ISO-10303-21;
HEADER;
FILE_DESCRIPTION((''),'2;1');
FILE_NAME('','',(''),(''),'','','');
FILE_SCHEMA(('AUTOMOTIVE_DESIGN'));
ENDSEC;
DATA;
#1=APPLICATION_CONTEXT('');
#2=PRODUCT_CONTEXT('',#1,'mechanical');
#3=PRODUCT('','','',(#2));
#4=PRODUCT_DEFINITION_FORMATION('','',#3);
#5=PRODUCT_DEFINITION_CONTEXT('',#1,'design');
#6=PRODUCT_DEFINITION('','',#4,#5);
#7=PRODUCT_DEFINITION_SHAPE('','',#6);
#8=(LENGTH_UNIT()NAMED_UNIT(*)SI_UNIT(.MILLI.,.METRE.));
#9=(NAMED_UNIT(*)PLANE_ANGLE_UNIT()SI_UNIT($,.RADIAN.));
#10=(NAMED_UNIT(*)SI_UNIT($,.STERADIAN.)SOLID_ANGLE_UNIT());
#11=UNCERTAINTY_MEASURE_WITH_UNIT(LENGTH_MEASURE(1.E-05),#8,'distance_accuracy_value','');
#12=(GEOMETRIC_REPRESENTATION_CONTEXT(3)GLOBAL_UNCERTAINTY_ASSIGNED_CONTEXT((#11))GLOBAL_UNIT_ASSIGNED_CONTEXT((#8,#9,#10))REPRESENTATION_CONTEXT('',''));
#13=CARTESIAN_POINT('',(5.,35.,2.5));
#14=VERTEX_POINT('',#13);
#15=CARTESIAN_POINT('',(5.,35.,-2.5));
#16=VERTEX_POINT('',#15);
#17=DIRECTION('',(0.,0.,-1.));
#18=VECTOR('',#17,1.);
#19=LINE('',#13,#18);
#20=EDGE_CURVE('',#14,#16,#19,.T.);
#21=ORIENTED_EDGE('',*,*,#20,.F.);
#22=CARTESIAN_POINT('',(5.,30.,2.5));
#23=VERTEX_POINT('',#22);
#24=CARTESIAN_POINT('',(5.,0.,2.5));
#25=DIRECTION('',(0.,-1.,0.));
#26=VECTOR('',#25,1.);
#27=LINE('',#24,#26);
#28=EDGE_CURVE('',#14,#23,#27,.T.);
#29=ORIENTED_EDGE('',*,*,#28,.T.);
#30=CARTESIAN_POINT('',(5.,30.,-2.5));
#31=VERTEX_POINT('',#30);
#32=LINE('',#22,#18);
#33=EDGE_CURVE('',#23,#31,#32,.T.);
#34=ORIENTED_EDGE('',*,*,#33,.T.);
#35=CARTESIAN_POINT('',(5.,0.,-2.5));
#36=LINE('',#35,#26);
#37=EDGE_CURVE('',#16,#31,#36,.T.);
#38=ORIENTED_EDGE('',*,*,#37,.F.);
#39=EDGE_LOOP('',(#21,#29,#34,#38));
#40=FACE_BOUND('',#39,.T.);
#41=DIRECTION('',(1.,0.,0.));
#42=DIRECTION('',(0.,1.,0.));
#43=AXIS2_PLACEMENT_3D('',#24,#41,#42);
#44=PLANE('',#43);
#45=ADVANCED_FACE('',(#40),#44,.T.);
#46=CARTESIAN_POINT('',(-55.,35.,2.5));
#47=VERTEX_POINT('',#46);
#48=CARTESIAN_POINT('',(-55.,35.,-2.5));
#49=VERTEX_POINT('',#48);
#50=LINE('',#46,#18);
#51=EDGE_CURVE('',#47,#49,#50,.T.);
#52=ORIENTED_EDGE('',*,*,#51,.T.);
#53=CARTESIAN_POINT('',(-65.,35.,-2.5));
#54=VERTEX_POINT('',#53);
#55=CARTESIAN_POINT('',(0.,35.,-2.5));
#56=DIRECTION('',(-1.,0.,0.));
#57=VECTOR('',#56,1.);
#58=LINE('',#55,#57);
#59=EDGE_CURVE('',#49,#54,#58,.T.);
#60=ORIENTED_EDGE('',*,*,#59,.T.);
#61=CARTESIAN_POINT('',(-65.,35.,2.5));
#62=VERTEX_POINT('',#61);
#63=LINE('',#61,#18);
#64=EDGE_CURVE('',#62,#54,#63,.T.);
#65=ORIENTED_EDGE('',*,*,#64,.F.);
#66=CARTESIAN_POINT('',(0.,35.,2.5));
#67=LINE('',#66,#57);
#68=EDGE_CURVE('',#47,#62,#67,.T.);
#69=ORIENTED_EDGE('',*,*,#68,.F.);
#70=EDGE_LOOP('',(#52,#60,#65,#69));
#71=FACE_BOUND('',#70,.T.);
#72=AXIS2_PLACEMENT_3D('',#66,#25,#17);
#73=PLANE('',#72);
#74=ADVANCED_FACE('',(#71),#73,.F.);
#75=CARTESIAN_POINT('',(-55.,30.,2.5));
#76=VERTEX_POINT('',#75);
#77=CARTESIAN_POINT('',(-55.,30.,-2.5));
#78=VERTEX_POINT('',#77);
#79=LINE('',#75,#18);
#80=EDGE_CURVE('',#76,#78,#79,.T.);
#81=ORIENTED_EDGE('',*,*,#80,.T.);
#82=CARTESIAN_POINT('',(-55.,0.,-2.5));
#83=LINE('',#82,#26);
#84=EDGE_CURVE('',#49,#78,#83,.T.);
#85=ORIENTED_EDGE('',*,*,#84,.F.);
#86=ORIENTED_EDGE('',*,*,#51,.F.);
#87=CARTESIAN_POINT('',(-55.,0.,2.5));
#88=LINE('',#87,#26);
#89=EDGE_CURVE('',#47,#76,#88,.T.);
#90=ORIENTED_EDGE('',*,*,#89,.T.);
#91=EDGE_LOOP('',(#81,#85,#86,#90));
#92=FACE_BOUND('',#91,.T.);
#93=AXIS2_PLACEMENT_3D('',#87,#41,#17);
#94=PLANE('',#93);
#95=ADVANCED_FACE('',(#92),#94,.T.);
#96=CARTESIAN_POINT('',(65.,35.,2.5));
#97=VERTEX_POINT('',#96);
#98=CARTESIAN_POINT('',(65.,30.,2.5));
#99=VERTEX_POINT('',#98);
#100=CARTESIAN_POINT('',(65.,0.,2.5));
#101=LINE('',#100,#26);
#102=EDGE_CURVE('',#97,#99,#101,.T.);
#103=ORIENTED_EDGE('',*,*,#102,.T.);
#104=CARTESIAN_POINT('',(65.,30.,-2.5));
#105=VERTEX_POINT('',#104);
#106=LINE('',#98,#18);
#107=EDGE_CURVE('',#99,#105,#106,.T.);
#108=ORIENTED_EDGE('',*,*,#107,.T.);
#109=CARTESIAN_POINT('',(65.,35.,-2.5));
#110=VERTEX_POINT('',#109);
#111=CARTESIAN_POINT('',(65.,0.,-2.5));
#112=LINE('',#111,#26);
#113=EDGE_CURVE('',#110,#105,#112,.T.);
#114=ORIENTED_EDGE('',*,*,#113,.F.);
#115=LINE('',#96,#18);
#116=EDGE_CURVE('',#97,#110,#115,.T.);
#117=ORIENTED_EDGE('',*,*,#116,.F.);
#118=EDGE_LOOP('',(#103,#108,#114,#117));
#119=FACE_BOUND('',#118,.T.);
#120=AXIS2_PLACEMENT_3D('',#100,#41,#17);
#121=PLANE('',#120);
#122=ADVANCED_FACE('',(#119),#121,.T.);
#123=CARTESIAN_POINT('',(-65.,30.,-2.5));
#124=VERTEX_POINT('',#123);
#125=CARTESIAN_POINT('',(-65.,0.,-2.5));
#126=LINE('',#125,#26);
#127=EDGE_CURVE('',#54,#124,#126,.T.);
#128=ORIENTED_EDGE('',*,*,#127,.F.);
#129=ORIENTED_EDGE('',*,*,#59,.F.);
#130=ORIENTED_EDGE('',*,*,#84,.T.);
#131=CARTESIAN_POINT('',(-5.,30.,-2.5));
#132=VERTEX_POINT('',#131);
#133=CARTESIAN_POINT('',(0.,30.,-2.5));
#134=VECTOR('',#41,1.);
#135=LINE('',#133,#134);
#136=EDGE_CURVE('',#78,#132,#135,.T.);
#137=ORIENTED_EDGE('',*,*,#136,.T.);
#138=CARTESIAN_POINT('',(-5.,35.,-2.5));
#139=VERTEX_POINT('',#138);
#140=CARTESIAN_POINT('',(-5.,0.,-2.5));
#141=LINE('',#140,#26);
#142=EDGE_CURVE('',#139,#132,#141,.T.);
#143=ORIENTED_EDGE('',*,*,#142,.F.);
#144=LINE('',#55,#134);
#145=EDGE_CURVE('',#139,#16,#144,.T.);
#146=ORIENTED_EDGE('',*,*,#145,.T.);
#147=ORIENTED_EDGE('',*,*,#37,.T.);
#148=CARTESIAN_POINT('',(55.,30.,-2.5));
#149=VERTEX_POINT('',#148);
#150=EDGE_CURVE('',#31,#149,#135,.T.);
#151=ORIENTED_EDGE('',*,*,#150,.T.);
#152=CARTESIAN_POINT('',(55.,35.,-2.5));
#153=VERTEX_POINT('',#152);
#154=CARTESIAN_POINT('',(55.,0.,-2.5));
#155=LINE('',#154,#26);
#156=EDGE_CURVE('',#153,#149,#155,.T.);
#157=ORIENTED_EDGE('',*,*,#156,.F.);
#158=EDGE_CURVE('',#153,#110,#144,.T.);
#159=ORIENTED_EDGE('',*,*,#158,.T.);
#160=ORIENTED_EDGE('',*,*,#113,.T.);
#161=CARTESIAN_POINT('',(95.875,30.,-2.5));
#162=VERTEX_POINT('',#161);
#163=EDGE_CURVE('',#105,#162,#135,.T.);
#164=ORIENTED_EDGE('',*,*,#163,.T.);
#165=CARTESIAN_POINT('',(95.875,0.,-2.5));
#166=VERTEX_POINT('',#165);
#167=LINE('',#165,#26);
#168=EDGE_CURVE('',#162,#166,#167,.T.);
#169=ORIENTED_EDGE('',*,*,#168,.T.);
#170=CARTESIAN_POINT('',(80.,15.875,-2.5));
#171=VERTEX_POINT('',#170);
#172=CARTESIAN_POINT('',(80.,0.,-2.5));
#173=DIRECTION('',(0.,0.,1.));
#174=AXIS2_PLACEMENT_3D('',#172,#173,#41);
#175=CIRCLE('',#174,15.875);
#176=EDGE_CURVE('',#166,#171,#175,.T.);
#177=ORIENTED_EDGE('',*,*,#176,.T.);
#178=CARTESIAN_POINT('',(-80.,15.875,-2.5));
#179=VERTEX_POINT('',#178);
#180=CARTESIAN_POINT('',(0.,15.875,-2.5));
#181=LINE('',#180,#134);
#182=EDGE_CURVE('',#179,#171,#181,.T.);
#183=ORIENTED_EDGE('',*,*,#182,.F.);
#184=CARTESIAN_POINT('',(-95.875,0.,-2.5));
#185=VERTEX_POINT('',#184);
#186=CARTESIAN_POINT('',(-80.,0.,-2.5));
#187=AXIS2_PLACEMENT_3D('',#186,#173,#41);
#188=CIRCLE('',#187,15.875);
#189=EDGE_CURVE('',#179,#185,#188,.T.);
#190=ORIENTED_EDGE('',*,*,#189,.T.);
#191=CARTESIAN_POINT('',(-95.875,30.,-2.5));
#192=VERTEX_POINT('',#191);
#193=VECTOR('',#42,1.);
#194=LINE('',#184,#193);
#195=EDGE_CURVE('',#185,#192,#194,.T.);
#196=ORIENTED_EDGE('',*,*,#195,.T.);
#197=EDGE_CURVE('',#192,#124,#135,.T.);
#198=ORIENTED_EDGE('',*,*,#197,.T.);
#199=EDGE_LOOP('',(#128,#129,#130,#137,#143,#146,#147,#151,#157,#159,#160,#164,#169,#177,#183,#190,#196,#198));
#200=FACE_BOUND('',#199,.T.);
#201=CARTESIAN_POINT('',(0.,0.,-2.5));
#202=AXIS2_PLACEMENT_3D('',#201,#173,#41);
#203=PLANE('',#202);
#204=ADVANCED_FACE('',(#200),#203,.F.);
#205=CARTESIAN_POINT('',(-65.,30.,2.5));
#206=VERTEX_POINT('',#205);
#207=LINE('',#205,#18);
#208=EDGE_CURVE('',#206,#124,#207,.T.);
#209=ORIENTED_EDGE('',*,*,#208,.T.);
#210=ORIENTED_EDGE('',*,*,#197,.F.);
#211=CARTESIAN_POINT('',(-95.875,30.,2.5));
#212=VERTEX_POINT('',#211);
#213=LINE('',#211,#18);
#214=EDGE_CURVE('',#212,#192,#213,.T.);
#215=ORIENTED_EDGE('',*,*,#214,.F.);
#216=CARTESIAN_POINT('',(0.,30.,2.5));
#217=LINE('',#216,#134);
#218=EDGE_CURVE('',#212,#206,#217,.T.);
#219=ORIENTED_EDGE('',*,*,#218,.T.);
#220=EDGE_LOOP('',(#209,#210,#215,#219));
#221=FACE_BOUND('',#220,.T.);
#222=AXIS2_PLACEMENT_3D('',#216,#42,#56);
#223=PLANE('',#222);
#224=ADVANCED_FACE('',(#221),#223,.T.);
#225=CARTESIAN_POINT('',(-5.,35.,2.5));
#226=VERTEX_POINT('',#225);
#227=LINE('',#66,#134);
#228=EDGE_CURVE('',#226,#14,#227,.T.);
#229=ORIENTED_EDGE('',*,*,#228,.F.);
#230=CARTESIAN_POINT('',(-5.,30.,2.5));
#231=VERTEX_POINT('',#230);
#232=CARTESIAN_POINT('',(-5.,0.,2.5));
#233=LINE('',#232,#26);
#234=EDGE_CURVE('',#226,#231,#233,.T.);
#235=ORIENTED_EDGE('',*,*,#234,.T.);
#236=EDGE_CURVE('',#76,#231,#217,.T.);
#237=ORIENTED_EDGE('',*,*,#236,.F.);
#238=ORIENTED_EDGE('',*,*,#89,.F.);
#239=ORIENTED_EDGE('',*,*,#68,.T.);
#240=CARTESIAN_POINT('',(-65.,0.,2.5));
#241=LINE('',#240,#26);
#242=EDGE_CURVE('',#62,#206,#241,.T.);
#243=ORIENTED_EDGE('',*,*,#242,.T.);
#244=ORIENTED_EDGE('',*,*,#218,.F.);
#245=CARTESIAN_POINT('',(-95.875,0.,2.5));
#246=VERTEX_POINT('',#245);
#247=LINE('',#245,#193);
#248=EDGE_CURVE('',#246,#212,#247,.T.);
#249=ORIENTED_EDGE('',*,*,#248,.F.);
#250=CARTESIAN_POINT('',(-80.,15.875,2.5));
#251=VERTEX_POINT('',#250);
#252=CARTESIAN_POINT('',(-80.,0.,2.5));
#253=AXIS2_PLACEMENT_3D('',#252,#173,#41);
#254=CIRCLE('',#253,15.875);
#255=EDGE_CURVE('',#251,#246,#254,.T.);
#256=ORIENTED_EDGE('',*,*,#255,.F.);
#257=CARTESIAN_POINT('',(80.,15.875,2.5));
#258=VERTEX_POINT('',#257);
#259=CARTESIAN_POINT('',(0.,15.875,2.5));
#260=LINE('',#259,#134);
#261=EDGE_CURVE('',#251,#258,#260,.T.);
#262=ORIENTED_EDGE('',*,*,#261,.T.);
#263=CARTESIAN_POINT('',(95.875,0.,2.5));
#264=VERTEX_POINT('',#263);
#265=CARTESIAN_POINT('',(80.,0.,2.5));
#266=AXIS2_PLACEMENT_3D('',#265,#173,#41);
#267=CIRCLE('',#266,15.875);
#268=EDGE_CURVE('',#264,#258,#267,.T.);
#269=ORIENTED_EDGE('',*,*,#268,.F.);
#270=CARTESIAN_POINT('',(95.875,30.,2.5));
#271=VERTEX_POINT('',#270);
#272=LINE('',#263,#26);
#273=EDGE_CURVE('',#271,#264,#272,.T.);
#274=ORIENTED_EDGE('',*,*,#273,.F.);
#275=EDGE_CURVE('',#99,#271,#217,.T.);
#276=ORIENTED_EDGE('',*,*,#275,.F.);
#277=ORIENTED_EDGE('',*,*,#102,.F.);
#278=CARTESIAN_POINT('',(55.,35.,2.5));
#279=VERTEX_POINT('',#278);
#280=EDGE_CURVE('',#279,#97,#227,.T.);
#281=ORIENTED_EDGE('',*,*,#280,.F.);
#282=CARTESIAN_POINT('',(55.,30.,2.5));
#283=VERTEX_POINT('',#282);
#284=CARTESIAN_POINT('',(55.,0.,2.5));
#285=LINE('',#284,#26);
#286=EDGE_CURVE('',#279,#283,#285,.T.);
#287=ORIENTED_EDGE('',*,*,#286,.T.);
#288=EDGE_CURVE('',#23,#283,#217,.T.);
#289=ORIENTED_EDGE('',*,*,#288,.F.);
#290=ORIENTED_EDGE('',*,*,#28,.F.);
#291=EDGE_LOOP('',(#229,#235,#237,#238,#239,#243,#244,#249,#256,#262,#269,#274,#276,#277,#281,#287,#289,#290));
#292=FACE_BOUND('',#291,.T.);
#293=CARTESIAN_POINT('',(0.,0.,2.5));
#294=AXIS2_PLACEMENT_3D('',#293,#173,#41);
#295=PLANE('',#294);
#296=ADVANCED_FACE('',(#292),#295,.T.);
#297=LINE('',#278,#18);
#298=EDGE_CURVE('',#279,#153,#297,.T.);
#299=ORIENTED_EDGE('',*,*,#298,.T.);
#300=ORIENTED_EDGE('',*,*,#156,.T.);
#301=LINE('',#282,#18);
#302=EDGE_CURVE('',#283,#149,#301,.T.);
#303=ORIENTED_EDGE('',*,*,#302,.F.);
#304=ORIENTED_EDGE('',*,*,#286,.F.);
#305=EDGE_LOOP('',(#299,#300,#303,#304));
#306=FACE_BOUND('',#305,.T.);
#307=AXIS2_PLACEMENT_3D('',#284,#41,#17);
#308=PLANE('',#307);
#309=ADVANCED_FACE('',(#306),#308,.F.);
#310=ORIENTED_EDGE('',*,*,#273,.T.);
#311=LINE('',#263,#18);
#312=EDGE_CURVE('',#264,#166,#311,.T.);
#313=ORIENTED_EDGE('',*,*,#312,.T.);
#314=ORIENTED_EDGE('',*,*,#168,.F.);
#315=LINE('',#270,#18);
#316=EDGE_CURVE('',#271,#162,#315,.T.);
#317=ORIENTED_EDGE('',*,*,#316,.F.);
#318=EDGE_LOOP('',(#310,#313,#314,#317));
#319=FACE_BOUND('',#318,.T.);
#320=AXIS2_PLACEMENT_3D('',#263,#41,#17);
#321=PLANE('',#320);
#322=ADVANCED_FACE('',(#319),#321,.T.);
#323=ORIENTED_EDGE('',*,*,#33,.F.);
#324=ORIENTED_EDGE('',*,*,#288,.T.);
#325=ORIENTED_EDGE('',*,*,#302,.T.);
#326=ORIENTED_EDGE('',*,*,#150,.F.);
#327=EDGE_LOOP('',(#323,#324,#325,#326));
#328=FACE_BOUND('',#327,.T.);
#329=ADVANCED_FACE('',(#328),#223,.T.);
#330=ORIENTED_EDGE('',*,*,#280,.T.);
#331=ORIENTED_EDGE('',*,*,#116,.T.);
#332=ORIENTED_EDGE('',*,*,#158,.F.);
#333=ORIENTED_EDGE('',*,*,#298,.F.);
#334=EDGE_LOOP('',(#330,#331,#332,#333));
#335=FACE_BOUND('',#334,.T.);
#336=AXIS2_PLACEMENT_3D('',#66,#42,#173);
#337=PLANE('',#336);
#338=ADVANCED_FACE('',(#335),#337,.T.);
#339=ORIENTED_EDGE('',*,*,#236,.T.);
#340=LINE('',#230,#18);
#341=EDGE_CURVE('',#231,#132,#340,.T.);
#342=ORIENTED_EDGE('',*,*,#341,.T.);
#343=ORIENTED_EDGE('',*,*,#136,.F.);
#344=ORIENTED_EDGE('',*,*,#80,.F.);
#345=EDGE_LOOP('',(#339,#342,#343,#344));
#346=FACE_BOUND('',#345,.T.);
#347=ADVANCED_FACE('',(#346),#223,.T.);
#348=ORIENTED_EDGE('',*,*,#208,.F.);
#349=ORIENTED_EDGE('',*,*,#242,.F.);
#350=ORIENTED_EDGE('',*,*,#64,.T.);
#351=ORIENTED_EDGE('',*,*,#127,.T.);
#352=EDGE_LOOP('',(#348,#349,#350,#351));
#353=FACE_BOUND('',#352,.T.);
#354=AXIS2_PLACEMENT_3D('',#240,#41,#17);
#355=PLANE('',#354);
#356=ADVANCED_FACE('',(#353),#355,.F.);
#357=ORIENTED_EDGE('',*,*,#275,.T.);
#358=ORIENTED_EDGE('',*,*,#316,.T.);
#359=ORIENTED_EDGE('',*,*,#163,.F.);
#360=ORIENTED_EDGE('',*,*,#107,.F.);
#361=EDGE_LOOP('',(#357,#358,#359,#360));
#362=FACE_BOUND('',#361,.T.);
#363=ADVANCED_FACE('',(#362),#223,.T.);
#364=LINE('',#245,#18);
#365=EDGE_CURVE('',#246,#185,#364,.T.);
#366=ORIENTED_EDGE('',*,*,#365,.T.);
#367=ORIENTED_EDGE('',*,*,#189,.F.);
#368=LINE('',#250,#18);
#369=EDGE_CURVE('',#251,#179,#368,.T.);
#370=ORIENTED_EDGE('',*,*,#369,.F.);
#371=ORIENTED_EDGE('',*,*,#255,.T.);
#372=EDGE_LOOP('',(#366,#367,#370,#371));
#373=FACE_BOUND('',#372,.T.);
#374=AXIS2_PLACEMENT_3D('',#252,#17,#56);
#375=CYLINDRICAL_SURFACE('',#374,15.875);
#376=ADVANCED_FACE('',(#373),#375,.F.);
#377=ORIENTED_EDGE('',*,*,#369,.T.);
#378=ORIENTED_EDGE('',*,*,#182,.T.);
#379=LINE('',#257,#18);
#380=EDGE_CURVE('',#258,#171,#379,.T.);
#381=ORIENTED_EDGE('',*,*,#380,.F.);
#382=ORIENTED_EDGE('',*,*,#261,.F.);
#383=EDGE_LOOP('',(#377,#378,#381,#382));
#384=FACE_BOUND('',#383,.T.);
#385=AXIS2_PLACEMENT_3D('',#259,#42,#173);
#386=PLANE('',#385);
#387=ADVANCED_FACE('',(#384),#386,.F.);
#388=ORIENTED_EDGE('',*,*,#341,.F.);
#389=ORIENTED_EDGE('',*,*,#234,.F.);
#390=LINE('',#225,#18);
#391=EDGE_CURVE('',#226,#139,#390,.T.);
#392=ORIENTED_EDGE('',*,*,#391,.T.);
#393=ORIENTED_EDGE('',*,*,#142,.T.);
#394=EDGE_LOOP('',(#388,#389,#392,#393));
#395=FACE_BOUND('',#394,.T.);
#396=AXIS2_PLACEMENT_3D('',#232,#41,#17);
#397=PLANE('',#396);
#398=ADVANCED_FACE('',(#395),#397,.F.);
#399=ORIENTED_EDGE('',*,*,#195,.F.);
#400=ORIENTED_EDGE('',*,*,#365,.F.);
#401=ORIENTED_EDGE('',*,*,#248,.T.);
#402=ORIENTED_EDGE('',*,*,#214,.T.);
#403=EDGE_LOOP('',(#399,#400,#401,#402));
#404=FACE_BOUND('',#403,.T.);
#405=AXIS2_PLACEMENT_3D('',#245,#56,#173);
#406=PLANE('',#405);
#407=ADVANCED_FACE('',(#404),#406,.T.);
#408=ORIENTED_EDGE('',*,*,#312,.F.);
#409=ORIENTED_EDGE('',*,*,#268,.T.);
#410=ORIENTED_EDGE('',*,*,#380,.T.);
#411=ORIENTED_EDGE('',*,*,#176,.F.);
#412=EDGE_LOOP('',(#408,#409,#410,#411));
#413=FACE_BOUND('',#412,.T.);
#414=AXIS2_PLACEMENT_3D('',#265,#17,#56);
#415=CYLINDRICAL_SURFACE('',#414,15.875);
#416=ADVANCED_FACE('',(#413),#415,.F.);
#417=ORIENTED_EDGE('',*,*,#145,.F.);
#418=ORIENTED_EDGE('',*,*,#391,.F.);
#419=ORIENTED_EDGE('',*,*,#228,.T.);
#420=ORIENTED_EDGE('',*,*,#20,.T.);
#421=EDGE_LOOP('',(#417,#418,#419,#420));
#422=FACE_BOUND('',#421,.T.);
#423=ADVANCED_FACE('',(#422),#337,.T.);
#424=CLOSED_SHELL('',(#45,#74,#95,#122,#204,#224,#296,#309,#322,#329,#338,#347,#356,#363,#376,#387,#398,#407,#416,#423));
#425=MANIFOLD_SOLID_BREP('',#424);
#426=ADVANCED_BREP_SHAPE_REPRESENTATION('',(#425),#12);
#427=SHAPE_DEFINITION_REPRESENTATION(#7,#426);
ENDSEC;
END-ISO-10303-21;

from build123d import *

# Parameters (mm, degrees)
BOSS_EXTRUDE1_DEPTH = 2.5


with BuildPart() as part:
    # Sketch1 → Boss-Extrude1 (new, symmetric)
    with BuildSketch(Plane.XY):
        with BuildLine():
            ThreePointArc((-95.875, 0), (-91.225320151, 11.225320151), (-80, 15.875))
            Line((-80, 15.875), (80, 15.875))
            ThreePointArc((80, 15.875), (91.225320151, 11.225320151), (95.875, 0))
            Line((95.875, 0), (95.875, 30))
            Line((95.875, 30), (65, 30))
            Line((65, 30), (65, 35))
            Line((65, 35), (55, 35))
            Line((55, 35), (55, 30))
            Line((55, 30), (5, 30))
            Line((5, 30), (5, 35))
            Line((5, 35), (-5, 35))
            Line((-5, 35), (-5, 30))
            Line((-5, 30), (-55, 30))
            Line((-55, 30), (-55, 35))
            Line((-55, 35), (-65, 35))
            Line((-65, 35), (-65, 30))
            Line((-65, 30), (-95.875, 30))
            Line((-95.875, 30), (-95.875, 0))
        make_face()
    extrude(amount=BOSS_EXTRUDE1_DEPTH, both=True)


solid = part.part
